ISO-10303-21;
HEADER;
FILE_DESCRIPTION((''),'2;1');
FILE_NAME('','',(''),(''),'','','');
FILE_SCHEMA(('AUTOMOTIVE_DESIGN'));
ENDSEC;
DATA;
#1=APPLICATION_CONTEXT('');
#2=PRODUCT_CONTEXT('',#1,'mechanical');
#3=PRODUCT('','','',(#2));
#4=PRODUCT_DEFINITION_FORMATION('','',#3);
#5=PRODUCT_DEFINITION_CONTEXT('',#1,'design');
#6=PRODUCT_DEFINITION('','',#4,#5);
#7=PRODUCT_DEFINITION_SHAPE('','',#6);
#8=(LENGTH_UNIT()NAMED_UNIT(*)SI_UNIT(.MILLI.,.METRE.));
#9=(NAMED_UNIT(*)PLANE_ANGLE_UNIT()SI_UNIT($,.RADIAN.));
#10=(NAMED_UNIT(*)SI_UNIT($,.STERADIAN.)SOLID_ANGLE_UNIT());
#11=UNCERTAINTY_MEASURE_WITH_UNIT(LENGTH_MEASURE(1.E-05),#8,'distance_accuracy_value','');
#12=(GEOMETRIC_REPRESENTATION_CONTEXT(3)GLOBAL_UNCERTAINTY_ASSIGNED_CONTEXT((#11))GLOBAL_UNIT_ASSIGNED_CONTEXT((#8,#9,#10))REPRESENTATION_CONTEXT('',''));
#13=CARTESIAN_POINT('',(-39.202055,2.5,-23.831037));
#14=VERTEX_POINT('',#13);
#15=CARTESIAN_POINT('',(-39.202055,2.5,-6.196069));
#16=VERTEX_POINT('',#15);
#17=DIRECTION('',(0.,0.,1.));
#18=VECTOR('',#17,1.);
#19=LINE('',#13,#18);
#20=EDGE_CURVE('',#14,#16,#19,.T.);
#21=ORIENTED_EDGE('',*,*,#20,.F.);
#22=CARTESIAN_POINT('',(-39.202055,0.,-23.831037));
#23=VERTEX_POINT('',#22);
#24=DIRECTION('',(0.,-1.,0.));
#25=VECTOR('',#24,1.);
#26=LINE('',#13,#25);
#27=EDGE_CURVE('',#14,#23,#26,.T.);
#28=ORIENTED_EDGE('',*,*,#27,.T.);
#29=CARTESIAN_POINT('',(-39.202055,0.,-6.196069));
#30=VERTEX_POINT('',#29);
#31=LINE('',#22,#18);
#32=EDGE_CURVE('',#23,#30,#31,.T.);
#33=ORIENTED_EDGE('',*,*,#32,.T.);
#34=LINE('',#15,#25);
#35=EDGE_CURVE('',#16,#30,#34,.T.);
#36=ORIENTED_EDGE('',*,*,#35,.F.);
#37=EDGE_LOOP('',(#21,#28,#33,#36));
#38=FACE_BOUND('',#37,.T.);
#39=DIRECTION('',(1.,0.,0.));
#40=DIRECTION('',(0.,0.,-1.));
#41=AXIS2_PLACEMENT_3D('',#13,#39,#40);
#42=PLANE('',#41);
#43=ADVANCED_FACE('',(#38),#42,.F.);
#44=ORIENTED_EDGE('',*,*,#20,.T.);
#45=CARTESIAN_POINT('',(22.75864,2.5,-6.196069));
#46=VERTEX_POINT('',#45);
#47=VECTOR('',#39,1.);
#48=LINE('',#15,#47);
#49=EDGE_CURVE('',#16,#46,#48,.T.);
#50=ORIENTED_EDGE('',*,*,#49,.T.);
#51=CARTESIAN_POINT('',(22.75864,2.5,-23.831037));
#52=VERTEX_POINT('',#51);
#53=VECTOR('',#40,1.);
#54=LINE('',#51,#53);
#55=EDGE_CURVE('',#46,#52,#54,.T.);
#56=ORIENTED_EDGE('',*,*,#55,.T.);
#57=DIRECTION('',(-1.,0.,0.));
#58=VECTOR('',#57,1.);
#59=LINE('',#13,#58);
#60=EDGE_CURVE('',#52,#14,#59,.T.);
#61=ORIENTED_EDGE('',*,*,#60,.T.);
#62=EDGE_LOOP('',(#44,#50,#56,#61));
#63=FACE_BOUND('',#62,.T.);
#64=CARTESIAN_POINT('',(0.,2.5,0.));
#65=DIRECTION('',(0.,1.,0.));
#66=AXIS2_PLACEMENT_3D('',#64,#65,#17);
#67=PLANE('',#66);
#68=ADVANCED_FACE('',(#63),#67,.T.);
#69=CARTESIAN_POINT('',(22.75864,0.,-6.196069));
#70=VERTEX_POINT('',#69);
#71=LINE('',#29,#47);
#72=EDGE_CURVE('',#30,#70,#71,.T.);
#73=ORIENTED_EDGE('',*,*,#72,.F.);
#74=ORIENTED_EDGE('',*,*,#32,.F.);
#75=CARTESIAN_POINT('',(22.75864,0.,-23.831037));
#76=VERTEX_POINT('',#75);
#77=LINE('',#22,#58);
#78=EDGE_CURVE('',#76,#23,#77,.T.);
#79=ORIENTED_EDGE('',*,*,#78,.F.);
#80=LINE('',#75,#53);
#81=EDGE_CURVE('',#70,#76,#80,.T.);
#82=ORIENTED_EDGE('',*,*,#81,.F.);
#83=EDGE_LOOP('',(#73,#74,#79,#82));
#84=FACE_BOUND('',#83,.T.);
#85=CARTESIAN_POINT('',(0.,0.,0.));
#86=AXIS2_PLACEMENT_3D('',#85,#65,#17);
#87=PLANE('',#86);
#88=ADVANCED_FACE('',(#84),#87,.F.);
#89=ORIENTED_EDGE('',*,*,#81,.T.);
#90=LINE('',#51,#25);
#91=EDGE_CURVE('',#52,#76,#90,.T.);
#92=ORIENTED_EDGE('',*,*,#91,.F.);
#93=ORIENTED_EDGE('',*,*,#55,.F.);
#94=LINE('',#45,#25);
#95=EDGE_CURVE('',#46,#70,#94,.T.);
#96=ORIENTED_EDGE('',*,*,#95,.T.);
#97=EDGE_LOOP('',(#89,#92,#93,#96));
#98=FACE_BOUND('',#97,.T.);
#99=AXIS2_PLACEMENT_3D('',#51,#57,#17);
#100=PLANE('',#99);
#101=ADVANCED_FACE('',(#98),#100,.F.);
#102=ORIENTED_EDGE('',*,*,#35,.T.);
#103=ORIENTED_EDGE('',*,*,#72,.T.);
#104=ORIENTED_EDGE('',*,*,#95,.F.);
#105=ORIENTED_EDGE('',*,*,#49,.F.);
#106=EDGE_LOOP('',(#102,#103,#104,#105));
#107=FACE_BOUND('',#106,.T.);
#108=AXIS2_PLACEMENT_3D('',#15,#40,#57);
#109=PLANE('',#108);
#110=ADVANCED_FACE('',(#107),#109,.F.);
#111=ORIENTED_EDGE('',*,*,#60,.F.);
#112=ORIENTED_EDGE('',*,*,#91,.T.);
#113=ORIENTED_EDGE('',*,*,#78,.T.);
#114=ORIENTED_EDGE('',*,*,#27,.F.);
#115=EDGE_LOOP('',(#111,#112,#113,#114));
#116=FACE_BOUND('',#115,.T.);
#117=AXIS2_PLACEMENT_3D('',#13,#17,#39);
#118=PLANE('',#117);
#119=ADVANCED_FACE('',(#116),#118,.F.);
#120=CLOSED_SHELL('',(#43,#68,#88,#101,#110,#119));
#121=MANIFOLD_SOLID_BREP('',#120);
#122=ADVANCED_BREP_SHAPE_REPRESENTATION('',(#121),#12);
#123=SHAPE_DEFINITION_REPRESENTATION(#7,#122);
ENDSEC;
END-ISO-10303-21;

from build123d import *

# Parameters (mm, degrees)
ESQUISSE1_W        = 61.960694999
ESQUISSE1_H        = 17.634967038
BOSS_EXTRU_1_DEPTH = 2.5


with BuildPart() as part:
    # Esquisse1 → Boss.-Extru.1 (new body)
    with BuildSketch(Plane(origin=(0, 0, 0), x_dir=(1, 0, 0), z_dir=(0, 1, 0))):
        with Locations((-8.221707605, 15.013553019)):
            Rectangle(ESQUISSE1_W, ESQUISSE1_H)
    extrude(amount=BOSS_EXTRU_1_DEPTH)


solid = part.part
